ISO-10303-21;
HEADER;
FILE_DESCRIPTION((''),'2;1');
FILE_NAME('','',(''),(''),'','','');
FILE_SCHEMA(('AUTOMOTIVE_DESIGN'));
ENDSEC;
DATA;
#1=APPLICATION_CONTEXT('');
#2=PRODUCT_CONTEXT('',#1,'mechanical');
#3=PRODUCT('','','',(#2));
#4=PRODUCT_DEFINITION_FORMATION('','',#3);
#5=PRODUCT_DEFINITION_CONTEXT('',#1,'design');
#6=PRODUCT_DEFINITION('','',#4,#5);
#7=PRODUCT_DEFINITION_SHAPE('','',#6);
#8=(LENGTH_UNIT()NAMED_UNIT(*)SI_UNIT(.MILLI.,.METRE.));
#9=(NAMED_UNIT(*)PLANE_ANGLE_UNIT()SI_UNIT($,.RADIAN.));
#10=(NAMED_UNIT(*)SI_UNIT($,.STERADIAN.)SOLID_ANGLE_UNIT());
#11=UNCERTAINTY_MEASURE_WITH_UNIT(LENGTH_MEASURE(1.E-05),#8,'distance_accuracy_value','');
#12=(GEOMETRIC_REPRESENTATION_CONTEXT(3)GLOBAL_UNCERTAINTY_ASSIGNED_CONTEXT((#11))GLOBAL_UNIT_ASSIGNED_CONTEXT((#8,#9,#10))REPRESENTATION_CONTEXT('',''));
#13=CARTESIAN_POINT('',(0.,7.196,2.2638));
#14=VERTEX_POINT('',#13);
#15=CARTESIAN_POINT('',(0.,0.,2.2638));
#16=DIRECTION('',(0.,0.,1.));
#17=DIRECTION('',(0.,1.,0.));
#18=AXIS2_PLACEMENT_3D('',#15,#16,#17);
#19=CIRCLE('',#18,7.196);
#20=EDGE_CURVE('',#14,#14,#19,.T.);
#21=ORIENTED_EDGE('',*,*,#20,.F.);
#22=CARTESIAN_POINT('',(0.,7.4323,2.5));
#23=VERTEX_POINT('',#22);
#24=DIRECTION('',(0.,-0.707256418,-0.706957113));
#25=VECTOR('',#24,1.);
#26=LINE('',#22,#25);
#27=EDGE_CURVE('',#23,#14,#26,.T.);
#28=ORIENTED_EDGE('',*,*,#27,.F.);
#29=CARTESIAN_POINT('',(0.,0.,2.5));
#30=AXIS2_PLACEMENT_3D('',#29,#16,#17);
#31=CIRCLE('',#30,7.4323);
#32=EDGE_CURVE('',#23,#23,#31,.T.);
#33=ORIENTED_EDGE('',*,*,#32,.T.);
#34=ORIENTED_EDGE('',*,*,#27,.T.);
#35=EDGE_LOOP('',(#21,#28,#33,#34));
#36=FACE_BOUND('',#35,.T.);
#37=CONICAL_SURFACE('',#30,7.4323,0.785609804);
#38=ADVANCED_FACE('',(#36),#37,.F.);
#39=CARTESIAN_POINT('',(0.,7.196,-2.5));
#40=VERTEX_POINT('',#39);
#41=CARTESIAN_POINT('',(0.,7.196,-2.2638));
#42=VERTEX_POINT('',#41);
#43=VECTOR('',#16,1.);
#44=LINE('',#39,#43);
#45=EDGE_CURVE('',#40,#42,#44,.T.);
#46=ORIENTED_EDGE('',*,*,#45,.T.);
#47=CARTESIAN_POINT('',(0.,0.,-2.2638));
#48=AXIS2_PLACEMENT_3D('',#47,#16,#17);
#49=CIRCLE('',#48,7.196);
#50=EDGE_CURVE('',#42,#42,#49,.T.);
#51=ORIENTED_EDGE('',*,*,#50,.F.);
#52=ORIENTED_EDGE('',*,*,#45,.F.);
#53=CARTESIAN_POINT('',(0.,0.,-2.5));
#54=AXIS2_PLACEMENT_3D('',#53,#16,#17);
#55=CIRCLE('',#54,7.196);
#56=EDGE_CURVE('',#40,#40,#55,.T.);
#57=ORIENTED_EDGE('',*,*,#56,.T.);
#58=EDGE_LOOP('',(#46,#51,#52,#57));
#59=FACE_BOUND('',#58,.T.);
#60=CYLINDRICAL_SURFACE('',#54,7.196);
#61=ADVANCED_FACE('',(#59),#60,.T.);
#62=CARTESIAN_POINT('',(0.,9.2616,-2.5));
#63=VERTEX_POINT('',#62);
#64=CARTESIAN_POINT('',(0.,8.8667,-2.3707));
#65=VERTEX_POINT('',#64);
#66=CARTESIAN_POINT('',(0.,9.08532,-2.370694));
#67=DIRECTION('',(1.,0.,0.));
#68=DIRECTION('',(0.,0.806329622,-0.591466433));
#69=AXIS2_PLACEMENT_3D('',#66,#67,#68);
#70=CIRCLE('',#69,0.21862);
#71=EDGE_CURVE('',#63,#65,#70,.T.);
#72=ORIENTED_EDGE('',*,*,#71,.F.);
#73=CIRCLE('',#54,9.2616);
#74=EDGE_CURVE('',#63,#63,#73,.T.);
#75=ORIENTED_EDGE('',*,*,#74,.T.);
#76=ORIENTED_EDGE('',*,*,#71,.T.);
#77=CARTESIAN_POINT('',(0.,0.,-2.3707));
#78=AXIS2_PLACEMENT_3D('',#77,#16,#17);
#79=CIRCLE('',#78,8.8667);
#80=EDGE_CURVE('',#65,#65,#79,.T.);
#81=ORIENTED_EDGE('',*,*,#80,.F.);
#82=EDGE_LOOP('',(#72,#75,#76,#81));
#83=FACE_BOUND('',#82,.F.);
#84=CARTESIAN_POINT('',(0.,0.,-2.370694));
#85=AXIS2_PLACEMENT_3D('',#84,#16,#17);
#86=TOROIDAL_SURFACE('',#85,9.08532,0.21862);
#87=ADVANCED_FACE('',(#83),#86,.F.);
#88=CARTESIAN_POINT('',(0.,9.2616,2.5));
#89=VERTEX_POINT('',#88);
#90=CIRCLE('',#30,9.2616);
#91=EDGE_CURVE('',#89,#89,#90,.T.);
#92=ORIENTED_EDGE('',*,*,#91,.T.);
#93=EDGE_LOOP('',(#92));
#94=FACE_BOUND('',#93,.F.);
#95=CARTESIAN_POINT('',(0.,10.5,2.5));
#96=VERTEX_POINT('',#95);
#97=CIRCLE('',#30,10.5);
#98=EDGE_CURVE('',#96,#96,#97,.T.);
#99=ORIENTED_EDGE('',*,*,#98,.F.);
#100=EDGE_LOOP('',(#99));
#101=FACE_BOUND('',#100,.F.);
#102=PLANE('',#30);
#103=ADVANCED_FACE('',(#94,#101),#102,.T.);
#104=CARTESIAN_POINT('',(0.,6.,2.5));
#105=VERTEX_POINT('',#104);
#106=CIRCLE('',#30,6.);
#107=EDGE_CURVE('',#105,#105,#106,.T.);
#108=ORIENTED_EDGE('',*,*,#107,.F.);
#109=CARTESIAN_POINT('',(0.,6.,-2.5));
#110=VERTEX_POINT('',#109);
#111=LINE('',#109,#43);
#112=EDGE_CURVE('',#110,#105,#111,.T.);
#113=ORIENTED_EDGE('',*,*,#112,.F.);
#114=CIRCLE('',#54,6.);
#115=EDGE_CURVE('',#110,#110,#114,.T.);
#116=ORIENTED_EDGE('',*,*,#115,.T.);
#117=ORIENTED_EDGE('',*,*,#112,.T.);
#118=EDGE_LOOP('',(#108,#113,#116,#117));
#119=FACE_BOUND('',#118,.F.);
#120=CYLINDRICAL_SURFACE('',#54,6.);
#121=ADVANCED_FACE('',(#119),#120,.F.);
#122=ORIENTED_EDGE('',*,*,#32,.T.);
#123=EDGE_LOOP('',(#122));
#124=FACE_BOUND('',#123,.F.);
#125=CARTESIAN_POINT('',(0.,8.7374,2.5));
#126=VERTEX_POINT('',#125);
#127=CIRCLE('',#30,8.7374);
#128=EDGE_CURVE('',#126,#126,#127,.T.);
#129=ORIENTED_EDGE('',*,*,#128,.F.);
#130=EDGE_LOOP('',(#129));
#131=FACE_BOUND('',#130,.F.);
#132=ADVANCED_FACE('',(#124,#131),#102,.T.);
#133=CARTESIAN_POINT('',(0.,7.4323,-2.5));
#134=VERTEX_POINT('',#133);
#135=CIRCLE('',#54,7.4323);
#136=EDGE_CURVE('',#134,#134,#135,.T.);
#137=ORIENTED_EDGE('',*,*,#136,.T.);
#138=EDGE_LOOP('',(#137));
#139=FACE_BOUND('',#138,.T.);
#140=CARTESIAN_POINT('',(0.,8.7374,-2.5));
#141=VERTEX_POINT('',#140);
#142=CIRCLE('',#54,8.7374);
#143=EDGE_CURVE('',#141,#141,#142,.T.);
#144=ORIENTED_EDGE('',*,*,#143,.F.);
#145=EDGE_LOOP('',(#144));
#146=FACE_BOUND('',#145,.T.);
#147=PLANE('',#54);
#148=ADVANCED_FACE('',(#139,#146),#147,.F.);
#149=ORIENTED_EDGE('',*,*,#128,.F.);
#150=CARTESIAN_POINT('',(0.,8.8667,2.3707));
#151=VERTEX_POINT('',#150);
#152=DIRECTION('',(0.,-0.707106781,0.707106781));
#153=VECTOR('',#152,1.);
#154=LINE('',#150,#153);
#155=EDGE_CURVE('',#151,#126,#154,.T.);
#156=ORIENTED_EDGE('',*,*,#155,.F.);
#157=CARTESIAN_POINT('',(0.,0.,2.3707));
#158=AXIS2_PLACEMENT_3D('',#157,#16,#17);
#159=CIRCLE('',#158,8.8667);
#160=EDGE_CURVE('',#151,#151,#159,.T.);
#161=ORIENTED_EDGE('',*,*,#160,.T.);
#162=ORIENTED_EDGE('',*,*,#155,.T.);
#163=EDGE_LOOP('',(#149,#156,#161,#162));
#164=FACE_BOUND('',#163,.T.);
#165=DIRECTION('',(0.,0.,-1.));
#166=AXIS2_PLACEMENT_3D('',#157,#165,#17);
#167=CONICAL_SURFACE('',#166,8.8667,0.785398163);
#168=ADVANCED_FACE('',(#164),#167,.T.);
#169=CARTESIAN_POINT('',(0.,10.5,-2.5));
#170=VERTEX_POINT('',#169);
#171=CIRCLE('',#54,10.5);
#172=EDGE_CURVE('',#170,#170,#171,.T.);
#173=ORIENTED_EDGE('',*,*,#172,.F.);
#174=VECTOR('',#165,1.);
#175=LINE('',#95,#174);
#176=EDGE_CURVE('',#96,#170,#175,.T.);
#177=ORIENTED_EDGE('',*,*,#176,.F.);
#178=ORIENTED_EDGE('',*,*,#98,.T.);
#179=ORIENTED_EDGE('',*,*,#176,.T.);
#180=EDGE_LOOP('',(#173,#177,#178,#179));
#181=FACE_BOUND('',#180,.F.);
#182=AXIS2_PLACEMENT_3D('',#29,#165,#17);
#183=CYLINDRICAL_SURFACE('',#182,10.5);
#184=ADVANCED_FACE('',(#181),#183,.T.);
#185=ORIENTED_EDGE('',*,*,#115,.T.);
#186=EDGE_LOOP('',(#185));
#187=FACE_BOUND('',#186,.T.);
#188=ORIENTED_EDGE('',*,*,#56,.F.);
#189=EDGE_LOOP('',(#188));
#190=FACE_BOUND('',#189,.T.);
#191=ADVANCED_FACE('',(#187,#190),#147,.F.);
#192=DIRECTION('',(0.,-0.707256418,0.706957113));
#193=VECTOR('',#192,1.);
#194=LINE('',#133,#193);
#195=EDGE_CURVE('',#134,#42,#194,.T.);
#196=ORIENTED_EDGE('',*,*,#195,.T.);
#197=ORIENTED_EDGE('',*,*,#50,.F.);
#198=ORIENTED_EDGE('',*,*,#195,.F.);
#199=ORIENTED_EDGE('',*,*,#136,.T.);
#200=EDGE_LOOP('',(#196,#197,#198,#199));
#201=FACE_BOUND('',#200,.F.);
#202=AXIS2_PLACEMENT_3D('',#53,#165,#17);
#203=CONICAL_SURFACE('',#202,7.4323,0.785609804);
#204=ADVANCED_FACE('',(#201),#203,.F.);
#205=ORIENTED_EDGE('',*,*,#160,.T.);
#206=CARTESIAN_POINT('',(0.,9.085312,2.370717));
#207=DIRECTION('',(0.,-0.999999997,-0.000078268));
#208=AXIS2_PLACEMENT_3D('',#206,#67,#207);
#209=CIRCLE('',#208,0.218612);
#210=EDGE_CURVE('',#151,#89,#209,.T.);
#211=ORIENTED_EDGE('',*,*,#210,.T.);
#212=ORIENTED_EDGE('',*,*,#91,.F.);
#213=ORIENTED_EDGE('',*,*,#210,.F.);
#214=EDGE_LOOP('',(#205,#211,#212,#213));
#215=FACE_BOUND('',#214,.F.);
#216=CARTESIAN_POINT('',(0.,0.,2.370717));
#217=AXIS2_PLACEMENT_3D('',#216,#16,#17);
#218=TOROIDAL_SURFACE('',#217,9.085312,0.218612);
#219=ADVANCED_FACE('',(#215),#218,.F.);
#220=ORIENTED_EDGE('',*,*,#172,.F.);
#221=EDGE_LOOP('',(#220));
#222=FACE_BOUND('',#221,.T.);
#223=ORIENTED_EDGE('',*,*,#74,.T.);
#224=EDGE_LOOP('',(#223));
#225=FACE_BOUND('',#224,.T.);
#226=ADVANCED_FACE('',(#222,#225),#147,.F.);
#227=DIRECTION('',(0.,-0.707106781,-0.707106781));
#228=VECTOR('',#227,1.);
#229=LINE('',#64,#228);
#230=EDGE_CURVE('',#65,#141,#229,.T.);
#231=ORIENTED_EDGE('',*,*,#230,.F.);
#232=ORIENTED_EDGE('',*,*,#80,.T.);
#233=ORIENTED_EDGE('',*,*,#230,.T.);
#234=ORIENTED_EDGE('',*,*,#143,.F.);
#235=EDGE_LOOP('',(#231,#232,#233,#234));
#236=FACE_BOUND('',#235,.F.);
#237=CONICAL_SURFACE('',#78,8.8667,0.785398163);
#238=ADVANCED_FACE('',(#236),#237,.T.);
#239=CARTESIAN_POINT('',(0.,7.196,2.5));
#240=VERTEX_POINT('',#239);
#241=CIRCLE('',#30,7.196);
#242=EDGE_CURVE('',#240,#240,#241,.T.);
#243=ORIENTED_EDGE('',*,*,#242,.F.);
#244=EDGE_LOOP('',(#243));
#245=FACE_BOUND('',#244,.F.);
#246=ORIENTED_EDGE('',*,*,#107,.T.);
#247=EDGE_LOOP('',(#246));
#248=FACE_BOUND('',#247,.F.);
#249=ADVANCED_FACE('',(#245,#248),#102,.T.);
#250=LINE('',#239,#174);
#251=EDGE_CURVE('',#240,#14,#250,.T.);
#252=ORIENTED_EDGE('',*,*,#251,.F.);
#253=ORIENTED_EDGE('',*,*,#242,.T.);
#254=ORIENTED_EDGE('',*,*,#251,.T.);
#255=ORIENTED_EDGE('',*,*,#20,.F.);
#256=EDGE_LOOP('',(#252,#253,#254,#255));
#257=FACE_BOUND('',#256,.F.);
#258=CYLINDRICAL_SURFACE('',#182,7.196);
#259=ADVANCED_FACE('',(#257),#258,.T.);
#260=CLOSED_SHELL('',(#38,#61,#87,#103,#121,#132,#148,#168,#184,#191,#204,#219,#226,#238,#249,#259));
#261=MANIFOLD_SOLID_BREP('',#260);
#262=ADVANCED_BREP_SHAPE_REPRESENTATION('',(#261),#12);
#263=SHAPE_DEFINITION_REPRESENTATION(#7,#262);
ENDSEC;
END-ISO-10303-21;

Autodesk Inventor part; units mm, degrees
ref_plane "YZ Plane" through (0, 0, 0) normal (1, 0, 0) x (0, 1, 0)
ref_plane "XZ Plane" through (0, 0, 0) normal (0, 1, 0) x (-1, 0, 0)
ref_plane "XY Plane" through (0, 0, 0) normal (0, 0, 1) x (1, 0, 0)
sketch "Эскиз1" plane through (0, 0, 0) normal (1, 0, 0) x (0, 1, 0)
  line L0 (6, -2.5) -> (6, 2.5)
  line L1 (10.5, 2.5) -> (10.5, -2.5)
  arc A0 (8.8667, 2.3707) -> (9.2616, 2.5) centre (9.0853, 2.3707) ccw
  line L2 (8.8667, 2.3707) -> (8.7374, 2.5)
  line L3 (8.8667, 2.3707) -> (9.0495, 2.3707) construction
  line L4 (7.4323, 2.5) -> (7.196, 2.2638)
  line L5 (7.4323, 2.5) -> (7.8016, 2.5) construction
  line L6 (9.2616, 2.5) -> (10.5, 2.5)
  line L7 (6, 2.5) -> (7.196, 2.5)
  line L8 (7.4323, 2.5) -> (8.7374, 2.5)
  line L9 (7.196, 2.5) -> (7.196, 2.2638)
  line L10 (9.696, 0) -> (8.6749, 0)
  arc A1 (9.2616, -2.5) -> (8.8667, -2.3707) centre (9.0853, -2.3707) ccw
  line L11 (8.8667, -2.3707) -> (8.7374, -2.5)
  line L12 (8.8667, -2.3707) -> (9.0495, -2.3707) construction
  line L13 (7.4323, -2.5) -> (7.196, -2.2638)
  line L14 (7.4323, -2.5) -> (7.8016, -2.5) construction
  line L15 (9.2616, -2.5) -> (10.5, -2.5)
  line L16 (6, -2.5) -> (7.196, -2.5)
  line L17 (7.4323, -2.5) -> (8.7374, -2.5)
  line L18 (7.196, -2.5) -> (7.196, -2.2638)
  line L19 (10.5, -2.5) -> (9.2616, -2.5)
  line L20 (8.7374, -2.5) -> (7.4323, -2.5)
  line L21 (7.196, -2.5) -> (6, -2.5)
  line L22 (0, -3.5047) -> (0, 3.5047) projected
  point P0 (0, 0)
  point P1 (9.304, 2.5)
  point P2 (9.304, -2.5)
  dimension "d0" = 5
  dimension "d1" = 4.5
  dimension "d2" = 6
  dimension "d5" = 135
  dimension "d6" = 135
revolve "Вращение1" add sketch "Эскиз1" angle 360 about axis through (0, 0, -10) along (0, 0, 1)
properties part number "wheel bearing"
